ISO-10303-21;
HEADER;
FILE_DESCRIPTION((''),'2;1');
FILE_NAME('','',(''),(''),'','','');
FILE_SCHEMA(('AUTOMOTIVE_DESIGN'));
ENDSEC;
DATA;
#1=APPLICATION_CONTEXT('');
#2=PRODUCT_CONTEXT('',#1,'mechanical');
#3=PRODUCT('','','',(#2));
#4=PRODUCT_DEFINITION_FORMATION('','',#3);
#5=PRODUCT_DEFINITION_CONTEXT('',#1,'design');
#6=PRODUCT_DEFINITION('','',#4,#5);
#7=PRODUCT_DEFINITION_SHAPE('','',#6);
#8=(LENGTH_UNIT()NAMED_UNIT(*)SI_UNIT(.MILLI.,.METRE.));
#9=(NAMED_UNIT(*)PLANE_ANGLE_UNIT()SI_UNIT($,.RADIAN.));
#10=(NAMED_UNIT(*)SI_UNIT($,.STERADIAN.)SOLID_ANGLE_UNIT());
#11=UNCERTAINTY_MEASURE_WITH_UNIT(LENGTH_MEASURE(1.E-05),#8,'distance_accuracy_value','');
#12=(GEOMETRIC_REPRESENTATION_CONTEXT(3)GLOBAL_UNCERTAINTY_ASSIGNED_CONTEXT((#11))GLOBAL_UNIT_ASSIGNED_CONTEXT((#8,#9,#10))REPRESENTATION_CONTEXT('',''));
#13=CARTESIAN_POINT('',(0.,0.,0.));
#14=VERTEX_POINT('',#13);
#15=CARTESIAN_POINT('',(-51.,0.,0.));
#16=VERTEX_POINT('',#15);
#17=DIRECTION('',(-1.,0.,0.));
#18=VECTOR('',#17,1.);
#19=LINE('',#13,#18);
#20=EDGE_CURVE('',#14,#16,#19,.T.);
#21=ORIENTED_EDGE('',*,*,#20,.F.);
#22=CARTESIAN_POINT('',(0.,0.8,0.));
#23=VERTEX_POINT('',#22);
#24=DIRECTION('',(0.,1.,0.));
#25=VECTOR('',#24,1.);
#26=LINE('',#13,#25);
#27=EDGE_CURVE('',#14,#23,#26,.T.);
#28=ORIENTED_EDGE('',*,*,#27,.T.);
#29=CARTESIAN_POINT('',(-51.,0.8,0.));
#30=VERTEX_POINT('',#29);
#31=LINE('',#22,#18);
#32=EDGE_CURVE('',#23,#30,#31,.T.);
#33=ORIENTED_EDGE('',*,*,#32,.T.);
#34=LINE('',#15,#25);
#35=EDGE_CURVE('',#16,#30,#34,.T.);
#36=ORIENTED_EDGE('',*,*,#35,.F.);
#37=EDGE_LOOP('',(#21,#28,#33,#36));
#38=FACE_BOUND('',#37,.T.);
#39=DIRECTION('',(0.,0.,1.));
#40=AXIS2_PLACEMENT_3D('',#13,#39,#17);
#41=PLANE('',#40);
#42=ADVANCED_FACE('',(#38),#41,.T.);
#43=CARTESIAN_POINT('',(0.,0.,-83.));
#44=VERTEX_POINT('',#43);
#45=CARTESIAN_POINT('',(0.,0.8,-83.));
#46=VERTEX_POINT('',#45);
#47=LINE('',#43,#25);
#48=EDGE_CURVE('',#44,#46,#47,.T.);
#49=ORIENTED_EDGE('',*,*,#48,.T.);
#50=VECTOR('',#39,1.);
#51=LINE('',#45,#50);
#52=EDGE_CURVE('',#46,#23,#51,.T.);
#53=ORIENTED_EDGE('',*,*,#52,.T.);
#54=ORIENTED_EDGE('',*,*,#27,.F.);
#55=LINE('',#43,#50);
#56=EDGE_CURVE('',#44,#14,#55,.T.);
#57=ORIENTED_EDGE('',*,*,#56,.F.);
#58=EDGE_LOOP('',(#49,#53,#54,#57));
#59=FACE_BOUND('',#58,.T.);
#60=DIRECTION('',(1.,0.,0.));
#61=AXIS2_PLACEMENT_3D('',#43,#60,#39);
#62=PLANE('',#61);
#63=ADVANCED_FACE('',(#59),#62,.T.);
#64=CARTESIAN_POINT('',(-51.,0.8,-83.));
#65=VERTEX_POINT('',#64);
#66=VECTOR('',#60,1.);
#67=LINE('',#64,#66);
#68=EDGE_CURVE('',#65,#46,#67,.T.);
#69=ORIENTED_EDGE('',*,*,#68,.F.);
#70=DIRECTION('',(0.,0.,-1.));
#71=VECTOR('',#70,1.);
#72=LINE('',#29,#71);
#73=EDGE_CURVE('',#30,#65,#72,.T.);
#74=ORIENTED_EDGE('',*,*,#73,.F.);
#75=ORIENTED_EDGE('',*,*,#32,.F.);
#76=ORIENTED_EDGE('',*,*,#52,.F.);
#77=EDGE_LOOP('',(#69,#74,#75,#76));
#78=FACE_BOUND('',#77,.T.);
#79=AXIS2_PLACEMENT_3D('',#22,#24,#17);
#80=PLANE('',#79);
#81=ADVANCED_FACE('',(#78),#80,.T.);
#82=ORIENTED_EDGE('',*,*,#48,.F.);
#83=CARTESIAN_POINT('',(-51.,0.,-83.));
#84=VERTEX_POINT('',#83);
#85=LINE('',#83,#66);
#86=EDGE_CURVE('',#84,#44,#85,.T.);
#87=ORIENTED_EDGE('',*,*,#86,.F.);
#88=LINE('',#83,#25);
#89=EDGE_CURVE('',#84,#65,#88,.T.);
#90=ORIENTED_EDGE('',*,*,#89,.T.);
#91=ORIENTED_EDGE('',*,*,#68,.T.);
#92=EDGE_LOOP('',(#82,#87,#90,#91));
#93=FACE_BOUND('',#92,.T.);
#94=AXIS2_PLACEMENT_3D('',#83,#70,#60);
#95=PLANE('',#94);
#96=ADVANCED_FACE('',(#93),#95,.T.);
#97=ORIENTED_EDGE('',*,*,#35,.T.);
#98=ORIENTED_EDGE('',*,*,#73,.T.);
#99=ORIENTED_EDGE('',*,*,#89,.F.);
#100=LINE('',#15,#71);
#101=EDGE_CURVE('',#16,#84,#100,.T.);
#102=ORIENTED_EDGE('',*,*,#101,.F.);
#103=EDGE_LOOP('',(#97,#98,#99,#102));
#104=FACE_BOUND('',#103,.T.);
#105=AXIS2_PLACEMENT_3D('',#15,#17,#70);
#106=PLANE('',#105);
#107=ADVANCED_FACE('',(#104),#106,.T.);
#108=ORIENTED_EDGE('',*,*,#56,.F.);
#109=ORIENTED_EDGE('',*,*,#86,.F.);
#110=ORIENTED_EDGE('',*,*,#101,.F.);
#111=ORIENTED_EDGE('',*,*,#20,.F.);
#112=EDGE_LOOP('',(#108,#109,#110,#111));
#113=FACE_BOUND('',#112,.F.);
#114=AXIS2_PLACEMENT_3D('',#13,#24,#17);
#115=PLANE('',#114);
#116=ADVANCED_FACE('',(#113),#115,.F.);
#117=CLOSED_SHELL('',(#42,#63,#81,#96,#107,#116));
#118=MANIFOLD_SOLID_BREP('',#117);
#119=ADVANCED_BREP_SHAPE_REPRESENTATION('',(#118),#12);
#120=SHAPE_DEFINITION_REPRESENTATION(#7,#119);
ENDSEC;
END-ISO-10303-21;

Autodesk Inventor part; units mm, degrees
ref_plane "YZ Plane" through (0, 0, 0) normal (1, 0, 0) x (0, 1, 0)
ref_plane "XZ Plane" through (0, 0, 0) normal (0, 1, 0) x (-1, 0, 0)
ref_plane "XY Plane" through (0, 0, 0) normal (0, 0, 1) x (1, 0, 0)
sketch "Sketch1" plane through (0, 0, 0) normal (0, 1, 0) x (-1, 0, 0)
  line L0 (0, 0) -> (51, 0)
  line L1 (51, 0) -> (51, -83)
  line L2 (51, -83) -> (0, -83)
  line L3 (0, -83) -> (0, 0)
  dimension "d0" = 51
  dimension "d1" = 83
extrude "Extrusion1" add sketch "Sketch1" along normal blind 0.8
properties part number "side_case_v2_2"
